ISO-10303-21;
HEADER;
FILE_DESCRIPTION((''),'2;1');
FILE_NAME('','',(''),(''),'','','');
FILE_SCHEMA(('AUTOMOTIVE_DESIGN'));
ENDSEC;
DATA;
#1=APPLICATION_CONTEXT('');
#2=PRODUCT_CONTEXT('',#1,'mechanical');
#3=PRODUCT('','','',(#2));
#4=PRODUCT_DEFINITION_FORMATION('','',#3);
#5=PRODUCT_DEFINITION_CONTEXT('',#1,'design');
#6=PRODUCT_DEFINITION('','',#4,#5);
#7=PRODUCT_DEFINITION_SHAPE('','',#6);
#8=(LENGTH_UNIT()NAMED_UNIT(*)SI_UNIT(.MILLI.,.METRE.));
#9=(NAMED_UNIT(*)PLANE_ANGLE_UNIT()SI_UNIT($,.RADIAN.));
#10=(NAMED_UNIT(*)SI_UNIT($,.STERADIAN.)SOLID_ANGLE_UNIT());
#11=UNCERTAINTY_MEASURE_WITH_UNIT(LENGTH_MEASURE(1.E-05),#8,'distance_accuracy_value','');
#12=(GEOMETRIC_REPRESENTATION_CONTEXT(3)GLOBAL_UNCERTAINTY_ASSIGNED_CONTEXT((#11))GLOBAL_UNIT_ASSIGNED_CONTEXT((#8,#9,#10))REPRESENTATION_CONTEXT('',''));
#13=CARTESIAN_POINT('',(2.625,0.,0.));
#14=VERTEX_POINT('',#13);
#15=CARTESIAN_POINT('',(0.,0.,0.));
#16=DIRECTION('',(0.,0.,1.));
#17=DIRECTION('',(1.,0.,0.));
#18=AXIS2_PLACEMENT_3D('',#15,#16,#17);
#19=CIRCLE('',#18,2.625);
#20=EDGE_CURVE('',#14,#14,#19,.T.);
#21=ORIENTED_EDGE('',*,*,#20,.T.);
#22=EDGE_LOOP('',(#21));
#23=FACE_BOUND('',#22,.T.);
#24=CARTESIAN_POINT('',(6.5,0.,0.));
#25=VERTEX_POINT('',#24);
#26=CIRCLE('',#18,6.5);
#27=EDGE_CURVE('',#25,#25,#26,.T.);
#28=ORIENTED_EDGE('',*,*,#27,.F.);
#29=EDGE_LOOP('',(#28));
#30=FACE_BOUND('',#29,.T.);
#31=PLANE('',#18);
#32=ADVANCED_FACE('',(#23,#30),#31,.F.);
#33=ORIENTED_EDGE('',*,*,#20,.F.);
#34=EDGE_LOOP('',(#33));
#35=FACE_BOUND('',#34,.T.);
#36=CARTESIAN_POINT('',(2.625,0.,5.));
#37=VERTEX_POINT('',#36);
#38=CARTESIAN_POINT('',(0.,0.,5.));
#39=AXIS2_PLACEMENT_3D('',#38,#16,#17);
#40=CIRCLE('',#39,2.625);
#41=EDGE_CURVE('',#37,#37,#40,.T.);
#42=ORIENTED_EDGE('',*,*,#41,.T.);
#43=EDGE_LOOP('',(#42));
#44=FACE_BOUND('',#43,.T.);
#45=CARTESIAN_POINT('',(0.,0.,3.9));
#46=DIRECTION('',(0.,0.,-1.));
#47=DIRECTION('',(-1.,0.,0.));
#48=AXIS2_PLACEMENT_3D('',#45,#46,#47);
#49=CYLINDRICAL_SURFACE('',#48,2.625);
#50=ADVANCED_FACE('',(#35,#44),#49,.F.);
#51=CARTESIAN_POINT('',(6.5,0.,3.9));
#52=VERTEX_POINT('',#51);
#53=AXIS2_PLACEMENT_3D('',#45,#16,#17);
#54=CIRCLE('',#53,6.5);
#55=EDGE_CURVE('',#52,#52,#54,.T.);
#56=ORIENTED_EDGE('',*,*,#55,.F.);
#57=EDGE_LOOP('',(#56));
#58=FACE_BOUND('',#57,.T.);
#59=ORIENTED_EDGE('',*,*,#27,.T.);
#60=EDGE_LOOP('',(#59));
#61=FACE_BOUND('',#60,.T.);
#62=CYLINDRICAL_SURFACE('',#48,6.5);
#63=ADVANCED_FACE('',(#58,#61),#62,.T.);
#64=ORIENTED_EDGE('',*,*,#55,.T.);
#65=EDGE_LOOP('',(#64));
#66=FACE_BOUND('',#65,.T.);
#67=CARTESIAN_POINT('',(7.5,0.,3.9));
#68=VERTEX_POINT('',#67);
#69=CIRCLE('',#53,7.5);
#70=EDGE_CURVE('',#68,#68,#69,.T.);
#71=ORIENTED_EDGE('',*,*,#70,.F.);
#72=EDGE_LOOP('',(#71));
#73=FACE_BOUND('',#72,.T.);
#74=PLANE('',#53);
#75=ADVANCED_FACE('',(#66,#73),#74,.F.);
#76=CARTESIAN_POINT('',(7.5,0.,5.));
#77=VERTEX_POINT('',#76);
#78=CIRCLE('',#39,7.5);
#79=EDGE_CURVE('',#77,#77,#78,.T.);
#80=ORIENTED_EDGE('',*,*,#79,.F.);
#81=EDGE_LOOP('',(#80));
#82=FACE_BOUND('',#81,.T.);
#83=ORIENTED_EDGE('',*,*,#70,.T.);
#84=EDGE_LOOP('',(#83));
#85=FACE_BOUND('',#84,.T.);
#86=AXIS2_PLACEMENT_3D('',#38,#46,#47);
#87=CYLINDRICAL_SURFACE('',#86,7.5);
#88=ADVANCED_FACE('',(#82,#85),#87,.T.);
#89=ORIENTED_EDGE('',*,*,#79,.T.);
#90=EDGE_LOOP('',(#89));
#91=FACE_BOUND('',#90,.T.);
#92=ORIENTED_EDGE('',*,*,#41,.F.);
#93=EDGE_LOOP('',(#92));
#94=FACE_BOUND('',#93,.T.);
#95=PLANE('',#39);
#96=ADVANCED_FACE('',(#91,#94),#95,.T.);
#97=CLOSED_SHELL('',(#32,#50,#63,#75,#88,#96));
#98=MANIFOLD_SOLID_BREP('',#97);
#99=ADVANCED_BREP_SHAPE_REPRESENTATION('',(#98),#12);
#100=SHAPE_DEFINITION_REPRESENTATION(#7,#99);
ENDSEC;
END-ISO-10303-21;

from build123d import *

# Parameters (mm, degrees)
SKETCH_1_R      = 6.5
SKETCH_1_R_2    = 2.625
EXTRUDE_1_DEPTH = 3.9
SKETCH_2_R      = 7.5
SKETCH_2_R_2    = 2.625
EXTRUDE_2_DEPTH = 1.1


with BuildPart() as part:
    # 草图1 → 凸台-拉伸1 (new body)
    with BuildSketch(Plane.XY):
        Circle(SKETCH_1_R)
        Circle(SKETCH_1_R_2, mode=Mode.SUBTRACT)
    extrude(amount=EXTRUDE_1_DEPTH)

    # 草图2 → 凸台-拉伸2 (add)
    with BuildSketch(Plane.XY.offset(3.9)):
        Circle(SKETCH_2_R)
        Circle(SKETCH_2_R_2, mode=Mode.SUBTRACT)
    extrude(amount=EXTRUDE_2_DEPTH)


solid = part.part
